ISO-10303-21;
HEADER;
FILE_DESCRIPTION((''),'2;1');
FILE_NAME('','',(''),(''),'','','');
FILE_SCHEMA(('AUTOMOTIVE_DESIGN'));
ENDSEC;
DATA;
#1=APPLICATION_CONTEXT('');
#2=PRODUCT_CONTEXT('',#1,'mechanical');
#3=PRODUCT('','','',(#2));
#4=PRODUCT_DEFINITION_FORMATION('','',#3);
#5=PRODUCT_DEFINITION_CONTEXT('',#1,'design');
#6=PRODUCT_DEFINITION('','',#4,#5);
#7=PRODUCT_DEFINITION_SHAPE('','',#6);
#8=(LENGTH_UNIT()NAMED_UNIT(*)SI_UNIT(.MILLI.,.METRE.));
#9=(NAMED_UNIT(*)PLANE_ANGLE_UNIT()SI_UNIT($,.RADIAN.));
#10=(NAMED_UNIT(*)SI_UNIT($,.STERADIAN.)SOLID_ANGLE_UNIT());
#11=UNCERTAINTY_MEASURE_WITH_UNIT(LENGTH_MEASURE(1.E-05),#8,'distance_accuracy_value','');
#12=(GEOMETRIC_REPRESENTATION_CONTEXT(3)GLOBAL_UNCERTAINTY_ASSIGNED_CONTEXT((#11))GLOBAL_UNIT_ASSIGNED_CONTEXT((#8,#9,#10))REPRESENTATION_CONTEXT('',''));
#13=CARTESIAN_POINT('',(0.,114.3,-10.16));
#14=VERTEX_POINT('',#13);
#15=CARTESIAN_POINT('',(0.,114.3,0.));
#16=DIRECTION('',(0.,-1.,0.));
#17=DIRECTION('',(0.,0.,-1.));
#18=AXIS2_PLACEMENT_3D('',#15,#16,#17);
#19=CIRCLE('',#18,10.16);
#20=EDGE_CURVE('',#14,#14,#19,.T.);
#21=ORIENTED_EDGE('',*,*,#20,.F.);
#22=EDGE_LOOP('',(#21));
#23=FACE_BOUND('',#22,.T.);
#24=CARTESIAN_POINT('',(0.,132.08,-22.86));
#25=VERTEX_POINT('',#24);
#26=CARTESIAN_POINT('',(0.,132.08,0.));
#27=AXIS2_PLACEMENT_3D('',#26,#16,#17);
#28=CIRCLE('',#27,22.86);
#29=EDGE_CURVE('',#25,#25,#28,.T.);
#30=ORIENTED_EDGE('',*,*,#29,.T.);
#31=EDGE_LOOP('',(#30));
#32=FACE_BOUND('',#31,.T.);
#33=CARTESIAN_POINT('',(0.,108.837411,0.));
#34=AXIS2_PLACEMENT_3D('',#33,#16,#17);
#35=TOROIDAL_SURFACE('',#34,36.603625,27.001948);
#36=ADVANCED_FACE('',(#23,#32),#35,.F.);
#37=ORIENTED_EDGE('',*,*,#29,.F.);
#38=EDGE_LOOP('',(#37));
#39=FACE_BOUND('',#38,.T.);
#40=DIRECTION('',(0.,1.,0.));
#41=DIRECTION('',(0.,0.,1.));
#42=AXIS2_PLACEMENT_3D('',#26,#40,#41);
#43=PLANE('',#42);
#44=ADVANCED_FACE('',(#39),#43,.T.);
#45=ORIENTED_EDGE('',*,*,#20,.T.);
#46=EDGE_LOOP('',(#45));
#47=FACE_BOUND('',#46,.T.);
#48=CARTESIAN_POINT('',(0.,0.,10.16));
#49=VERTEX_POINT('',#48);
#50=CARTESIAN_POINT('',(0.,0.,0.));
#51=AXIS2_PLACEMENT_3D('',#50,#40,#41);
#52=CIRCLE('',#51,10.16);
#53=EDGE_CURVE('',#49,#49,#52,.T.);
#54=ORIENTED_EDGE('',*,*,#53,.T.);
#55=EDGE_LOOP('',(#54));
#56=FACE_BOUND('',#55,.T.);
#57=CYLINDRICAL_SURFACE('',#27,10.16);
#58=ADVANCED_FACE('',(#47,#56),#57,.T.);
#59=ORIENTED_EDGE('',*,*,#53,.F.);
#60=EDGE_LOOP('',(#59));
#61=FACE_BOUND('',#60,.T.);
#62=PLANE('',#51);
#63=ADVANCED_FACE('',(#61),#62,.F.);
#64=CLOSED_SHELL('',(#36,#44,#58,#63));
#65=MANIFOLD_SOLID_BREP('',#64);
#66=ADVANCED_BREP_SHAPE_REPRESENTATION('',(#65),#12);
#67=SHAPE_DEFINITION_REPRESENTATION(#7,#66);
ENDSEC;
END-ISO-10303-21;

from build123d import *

# Parameters (mm, degrees)
SKETCH1_R           = 10.16
BOSS_EXTRUDE1_DEPTH = 132.08


with BuildPart() as part:
    # Sketch1 → Boss-Extrude1 (new body)
    with BuildSketch(Plane(origin=(0, 0, 0), x_dir=(1, 0, 0), z_dir=(0, 1, 0))):
        with Locations(Location((0, 0, 0), (0, 0, 270))):
            Circle(SKETCH1_R)
    extrude(amount=BOSS_EXTRUDE1_DEPTH)

    # Sketch2 → Revolve1 (revolve)
    with BuildSketch(Plane.XY, mode=Mode.PRIVATE) as revolve1_sk:
        with BuildLine():
            Line((10.16, 132.08), (10.16, 114.3))
            ThreePointArc((10.16, 114.3), (14.631236278, 124.531974087), (22.86, 132.08))
            Line((22.86, 132.08), (10.16, 132.08))
        make_face()
    revolve(revolve1_sk.sketch.rotate(Axis((0, 0, 0), (0, 1, 0)), 90), axis=Axis((0, 0, 0), (0, 1, 0)))


solid = part.part
